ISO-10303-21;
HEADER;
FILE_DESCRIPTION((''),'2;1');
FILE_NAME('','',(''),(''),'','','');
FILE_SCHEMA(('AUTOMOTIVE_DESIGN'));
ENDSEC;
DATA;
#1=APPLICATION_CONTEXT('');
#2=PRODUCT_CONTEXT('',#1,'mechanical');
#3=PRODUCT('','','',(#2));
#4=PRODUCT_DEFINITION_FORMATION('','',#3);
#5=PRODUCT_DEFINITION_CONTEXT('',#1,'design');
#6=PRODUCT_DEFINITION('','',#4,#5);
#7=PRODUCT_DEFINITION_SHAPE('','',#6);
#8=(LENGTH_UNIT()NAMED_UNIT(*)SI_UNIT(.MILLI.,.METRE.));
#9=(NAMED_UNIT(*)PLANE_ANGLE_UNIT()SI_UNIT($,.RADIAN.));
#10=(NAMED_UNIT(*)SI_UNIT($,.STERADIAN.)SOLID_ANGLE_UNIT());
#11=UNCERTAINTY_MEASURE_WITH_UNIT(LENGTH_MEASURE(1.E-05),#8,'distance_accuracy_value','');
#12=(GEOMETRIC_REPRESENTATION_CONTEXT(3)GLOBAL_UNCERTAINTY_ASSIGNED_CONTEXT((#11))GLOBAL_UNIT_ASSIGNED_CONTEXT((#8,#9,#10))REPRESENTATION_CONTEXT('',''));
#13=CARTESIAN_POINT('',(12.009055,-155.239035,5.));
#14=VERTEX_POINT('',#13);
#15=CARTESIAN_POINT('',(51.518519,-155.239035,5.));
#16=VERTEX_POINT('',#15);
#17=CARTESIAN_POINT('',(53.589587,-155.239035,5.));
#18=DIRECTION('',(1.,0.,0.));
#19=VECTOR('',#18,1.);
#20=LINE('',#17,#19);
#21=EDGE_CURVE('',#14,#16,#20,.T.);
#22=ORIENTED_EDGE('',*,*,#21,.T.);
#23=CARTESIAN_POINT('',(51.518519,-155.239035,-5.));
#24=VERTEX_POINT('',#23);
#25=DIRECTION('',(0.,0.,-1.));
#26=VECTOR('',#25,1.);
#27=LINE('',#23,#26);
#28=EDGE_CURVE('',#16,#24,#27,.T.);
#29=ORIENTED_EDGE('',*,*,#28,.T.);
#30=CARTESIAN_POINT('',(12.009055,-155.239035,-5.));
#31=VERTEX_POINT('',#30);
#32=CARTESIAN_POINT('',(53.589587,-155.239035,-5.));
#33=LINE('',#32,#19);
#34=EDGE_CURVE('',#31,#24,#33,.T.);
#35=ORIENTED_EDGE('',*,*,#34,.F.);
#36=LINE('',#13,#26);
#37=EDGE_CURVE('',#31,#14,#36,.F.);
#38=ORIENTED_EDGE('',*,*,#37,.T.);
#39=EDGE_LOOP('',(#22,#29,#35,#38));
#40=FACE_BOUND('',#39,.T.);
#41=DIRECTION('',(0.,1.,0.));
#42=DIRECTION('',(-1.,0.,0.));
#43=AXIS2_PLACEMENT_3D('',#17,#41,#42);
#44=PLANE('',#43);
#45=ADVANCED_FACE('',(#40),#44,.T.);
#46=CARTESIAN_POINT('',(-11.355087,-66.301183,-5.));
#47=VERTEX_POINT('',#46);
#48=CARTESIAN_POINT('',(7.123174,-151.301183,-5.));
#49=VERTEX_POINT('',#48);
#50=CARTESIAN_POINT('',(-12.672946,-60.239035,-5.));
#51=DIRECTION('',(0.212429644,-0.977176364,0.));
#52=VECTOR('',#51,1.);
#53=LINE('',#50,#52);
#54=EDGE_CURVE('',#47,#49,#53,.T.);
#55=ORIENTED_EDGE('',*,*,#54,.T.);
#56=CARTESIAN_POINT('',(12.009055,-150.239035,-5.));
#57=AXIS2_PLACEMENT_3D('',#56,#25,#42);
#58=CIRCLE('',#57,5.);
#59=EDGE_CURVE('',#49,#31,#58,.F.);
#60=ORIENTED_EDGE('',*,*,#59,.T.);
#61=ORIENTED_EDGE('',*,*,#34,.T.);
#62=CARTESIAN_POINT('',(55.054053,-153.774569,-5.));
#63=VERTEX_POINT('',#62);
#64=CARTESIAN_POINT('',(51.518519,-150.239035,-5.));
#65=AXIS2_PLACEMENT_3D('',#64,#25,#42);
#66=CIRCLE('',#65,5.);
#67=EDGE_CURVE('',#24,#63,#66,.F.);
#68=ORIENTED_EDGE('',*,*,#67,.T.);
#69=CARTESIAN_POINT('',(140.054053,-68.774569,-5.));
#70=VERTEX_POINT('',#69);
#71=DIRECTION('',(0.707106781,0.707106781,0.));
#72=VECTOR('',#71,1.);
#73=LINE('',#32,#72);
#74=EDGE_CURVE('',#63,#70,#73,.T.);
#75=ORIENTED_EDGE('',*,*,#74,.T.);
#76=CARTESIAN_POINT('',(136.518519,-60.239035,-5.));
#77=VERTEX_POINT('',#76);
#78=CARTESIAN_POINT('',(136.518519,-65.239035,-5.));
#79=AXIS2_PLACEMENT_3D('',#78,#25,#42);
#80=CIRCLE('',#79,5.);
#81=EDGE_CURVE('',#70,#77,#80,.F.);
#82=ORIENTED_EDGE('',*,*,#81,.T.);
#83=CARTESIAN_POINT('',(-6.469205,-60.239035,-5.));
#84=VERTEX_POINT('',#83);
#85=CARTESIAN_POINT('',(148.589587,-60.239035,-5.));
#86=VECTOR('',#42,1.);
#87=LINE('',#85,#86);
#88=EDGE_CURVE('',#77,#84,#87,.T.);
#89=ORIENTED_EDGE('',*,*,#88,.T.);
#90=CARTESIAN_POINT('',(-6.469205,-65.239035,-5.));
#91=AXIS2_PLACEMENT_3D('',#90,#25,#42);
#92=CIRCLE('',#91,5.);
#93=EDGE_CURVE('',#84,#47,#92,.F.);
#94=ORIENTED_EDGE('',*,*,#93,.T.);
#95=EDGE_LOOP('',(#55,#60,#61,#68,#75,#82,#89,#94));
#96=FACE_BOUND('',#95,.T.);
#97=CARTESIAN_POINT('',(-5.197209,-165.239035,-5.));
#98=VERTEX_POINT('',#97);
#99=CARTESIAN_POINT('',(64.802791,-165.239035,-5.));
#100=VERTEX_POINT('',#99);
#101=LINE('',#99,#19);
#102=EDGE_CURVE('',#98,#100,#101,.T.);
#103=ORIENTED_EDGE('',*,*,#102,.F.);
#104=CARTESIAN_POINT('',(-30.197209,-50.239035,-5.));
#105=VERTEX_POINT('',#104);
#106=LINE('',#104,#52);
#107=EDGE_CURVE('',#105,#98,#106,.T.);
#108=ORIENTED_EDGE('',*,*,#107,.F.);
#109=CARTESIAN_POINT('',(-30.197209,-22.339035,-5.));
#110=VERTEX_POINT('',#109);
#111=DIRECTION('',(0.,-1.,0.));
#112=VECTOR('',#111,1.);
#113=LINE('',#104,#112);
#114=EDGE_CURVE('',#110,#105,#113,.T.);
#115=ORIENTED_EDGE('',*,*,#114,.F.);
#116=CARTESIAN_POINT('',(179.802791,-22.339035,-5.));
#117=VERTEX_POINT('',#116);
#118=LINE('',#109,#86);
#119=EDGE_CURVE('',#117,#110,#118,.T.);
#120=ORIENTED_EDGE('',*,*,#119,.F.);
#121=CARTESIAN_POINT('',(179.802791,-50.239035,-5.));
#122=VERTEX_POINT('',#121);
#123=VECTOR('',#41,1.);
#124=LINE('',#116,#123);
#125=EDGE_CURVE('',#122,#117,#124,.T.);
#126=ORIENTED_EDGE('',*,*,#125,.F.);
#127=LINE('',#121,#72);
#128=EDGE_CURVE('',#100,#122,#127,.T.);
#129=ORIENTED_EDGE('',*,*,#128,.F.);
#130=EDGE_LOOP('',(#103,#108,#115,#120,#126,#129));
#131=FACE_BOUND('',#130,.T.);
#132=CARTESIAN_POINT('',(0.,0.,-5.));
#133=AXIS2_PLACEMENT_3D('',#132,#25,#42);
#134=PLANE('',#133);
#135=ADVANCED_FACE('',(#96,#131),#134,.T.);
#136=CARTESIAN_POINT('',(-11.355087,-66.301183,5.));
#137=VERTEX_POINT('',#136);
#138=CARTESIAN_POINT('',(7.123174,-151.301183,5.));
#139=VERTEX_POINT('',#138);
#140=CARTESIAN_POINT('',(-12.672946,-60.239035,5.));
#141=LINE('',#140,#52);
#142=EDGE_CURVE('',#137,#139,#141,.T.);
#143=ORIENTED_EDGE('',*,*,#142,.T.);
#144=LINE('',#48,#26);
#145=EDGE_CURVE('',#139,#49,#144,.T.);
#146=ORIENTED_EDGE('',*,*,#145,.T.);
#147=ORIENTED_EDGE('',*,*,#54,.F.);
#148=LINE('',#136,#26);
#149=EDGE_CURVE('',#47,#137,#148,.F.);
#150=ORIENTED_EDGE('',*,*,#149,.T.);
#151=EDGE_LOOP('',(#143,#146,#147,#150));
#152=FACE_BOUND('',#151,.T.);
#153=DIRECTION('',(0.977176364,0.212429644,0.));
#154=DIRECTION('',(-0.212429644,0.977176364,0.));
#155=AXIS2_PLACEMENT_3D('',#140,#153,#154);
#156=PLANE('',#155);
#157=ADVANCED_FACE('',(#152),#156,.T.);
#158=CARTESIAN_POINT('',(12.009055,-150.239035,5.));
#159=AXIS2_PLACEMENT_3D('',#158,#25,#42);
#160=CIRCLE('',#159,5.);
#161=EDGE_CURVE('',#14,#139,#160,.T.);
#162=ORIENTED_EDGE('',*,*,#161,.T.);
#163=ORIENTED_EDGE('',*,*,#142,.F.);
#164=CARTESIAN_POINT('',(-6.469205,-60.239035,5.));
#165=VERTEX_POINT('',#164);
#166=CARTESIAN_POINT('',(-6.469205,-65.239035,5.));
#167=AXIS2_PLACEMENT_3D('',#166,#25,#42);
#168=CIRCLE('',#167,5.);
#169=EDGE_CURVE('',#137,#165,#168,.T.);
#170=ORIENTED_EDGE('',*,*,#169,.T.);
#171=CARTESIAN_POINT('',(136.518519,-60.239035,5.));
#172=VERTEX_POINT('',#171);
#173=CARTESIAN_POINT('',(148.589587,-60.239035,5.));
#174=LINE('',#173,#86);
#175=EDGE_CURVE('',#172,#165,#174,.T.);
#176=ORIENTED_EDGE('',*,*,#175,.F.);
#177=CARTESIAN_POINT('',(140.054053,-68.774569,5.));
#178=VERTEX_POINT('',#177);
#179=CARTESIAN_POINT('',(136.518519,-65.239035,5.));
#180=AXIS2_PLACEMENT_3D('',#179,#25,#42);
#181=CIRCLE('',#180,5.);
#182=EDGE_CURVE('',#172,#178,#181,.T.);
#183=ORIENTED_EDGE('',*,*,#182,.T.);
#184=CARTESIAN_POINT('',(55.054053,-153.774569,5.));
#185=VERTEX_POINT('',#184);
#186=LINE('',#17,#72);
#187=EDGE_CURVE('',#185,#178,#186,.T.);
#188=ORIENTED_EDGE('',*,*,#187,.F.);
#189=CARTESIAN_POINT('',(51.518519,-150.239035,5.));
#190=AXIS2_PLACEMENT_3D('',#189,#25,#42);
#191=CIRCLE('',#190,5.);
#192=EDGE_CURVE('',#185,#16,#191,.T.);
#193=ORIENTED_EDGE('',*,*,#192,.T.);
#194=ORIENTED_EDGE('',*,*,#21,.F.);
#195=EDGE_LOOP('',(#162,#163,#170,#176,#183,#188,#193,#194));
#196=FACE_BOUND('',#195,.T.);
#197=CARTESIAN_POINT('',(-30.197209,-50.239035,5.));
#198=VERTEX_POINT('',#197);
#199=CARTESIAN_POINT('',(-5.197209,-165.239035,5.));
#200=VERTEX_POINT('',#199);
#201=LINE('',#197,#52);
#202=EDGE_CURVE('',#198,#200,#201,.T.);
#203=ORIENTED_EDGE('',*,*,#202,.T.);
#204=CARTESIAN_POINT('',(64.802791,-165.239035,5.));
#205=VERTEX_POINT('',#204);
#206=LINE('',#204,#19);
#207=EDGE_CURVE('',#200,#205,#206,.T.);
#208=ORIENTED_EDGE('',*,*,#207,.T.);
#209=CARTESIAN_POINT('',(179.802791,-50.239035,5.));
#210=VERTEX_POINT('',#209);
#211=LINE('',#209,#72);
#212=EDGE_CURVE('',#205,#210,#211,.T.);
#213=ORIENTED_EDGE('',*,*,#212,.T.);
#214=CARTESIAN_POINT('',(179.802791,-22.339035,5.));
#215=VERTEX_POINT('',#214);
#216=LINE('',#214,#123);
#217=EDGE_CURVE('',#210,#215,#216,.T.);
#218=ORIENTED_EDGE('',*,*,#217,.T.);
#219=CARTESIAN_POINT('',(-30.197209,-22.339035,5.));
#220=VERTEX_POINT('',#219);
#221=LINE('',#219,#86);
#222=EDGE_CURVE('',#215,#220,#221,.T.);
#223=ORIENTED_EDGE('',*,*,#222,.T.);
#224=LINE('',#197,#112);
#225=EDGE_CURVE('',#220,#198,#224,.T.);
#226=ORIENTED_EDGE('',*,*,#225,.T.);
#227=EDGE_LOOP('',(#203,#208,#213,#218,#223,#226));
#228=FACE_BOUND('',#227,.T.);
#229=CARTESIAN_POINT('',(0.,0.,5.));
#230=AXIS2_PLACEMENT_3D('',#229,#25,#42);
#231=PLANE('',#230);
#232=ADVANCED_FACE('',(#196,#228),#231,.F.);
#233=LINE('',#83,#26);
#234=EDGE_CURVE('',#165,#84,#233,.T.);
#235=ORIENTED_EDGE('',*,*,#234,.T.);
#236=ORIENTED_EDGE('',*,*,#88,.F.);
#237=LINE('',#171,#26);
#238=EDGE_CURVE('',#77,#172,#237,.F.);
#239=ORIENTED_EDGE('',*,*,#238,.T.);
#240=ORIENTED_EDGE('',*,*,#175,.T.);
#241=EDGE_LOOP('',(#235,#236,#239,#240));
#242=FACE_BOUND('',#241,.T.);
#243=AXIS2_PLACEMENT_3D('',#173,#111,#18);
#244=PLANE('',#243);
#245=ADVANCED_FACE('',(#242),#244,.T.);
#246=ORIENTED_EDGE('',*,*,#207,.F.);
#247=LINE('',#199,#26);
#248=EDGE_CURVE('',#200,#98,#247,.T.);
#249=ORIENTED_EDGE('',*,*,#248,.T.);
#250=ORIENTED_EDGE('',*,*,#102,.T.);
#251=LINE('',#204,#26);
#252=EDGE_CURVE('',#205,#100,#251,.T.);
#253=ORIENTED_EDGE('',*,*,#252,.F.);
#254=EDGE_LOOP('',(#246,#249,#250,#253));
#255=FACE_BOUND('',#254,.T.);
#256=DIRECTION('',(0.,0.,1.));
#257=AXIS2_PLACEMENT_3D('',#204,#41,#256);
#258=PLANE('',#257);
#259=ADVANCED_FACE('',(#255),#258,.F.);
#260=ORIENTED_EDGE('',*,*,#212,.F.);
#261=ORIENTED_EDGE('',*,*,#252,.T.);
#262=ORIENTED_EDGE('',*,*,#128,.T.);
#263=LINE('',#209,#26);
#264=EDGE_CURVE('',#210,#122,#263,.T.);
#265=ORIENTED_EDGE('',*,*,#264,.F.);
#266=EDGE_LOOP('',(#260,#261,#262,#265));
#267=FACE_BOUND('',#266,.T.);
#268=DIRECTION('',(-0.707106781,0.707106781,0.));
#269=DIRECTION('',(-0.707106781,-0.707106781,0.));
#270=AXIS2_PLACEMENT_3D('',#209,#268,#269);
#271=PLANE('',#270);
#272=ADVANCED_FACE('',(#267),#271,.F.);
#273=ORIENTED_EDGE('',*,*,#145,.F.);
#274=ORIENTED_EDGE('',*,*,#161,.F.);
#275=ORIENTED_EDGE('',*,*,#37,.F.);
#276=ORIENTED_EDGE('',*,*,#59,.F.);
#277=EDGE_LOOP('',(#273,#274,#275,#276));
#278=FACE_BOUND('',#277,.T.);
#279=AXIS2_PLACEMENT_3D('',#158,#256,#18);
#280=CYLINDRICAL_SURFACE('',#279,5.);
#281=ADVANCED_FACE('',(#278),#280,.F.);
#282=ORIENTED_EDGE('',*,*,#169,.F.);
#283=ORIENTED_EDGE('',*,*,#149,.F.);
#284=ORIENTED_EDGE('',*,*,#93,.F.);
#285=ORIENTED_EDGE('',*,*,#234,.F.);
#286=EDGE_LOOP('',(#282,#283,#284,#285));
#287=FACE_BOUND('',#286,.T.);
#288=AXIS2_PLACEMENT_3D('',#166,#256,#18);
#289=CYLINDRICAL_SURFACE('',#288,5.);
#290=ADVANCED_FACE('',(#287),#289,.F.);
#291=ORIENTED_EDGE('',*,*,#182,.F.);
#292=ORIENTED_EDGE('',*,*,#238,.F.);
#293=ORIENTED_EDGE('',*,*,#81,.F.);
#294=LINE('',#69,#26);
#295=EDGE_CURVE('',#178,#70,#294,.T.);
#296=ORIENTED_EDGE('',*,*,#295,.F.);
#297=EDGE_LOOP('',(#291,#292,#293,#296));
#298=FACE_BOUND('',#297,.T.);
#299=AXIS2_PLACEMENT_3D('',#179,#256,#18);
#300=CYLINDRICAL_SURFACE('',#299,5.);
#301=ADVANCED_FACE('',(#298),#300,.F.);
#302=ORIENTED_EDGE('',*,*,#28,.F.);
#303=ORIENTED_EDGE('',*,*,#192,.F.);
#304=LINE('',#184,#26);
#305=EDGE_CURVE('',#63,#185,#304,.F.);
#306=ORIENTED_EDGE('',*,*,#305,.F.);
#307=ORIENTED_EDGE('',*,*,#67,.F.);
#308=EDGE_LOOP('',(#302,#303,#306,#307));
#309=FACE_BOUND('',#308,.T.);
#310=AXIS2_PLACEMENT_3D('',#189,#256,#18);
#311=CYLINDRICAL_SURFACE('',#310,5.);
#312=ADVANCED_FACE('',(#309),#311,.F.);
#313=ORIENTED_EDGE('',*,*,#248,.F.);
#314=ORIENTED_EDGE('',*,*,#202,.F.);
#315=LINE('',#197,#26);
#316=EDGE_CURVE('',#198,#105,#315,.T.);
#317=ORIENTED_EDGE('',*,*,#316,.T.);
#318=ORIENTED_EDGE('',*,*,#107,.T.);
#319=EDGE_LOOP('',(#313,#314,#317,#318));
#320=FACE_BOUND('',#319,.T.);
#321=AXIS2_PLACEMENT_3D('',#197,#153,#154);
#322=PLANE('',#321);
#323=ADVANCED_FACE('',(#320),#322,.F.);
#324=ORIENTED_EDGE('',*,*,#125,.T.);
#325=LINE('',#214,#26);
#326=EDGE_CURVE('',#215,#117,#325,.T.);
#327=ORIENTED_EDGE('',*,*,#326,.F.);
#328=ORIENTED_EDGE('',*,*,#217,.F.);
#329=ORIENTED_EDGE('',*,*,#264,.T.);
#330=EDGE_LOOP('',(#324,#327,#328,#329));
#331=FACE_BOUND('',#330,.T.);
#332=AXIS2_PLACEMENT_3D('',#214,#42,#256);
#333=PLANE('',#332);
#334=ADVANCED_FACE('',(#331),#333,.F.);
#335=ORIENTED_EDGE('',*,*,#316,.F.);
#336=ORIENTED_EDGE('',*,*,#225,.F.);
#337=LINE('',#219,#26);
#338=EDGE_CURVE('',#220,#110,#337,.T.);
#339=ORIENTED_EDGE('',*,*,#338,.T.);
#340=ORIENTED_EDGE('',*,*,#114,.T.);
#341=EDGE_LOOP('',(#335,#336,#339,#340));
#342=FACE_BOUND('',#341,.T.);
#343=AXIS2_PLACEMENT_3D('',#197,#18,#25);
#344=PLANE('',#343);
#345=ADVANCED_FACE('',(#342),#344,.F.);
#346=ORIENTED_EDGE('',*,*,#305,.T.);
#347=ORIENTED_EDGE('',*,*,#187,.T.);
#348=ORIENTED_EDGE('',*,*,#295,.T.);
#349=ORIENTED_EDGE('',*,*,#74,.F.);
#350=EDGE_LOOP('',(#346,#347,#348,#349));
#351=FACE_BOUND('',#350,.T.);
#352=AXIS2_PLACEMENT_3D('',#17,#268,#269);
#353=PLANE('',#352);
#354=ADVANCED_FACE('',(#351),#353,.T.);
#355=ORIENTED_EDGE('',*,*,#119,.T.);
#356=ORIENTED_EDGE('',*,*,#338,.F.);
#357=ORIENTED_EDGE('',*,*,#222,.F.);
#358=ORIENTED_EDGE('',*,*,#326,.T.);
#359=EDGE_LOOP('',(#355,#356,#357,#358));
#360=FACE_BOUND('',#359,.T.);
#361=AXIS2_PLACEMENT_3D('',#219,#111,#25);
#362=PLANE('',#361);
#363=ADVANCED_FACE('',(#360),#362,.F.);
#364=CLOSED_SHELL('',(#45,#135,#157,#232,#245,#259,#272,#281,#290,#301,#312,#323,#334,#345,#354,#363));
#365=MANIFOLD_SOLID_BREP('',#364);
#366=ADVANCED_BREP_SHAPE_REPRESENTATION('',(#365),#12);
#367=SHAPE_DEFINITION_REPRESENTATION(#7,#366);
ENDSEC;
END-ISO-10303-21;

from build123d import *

# Parameters (mm, degrees)
BOSS_EXTRU_1_DEPTH = 5
FILLET1_R          = 5


with BuildPart() as part:
    # Esquisse2 → Boss.-Extru.1 (new, symmetric)
    with BuildSketch(Plane.XY):
        Polygon((-30.197209457, -50.23903484), (-5.197209457, -165.23903484), (64.802790543, -165.23903484), (179.802790543, -50.23903484), (179.802790543, -22.33903484), (-30.197209457, -22.33903484), align=None)
        Polygon((53.589587107, -155.23903484), (148.589587107, -60.23903484), (-12.672945593, -60.23903484), (7.97922832, -155.23903484), align=None, mode=Mode.SUBTRACT)
    extrude(amount=BOSS_EXTRU_1_DEPTH, both=True)

    # Fillet1
    fillet1_edges = [part.edges().sort_by_distance(p)[0] for p in [
        (7.97922832, -155.23903484, 0),
        (53.589587107, -155.23903484, 0),
        (148.589587107, -60.23903484, 0),
        (-12.672945593, -60.23903484, 0),
    ]]
    fillet(fillet1_edges, radius=FILLET1_R)


solid = part.part
